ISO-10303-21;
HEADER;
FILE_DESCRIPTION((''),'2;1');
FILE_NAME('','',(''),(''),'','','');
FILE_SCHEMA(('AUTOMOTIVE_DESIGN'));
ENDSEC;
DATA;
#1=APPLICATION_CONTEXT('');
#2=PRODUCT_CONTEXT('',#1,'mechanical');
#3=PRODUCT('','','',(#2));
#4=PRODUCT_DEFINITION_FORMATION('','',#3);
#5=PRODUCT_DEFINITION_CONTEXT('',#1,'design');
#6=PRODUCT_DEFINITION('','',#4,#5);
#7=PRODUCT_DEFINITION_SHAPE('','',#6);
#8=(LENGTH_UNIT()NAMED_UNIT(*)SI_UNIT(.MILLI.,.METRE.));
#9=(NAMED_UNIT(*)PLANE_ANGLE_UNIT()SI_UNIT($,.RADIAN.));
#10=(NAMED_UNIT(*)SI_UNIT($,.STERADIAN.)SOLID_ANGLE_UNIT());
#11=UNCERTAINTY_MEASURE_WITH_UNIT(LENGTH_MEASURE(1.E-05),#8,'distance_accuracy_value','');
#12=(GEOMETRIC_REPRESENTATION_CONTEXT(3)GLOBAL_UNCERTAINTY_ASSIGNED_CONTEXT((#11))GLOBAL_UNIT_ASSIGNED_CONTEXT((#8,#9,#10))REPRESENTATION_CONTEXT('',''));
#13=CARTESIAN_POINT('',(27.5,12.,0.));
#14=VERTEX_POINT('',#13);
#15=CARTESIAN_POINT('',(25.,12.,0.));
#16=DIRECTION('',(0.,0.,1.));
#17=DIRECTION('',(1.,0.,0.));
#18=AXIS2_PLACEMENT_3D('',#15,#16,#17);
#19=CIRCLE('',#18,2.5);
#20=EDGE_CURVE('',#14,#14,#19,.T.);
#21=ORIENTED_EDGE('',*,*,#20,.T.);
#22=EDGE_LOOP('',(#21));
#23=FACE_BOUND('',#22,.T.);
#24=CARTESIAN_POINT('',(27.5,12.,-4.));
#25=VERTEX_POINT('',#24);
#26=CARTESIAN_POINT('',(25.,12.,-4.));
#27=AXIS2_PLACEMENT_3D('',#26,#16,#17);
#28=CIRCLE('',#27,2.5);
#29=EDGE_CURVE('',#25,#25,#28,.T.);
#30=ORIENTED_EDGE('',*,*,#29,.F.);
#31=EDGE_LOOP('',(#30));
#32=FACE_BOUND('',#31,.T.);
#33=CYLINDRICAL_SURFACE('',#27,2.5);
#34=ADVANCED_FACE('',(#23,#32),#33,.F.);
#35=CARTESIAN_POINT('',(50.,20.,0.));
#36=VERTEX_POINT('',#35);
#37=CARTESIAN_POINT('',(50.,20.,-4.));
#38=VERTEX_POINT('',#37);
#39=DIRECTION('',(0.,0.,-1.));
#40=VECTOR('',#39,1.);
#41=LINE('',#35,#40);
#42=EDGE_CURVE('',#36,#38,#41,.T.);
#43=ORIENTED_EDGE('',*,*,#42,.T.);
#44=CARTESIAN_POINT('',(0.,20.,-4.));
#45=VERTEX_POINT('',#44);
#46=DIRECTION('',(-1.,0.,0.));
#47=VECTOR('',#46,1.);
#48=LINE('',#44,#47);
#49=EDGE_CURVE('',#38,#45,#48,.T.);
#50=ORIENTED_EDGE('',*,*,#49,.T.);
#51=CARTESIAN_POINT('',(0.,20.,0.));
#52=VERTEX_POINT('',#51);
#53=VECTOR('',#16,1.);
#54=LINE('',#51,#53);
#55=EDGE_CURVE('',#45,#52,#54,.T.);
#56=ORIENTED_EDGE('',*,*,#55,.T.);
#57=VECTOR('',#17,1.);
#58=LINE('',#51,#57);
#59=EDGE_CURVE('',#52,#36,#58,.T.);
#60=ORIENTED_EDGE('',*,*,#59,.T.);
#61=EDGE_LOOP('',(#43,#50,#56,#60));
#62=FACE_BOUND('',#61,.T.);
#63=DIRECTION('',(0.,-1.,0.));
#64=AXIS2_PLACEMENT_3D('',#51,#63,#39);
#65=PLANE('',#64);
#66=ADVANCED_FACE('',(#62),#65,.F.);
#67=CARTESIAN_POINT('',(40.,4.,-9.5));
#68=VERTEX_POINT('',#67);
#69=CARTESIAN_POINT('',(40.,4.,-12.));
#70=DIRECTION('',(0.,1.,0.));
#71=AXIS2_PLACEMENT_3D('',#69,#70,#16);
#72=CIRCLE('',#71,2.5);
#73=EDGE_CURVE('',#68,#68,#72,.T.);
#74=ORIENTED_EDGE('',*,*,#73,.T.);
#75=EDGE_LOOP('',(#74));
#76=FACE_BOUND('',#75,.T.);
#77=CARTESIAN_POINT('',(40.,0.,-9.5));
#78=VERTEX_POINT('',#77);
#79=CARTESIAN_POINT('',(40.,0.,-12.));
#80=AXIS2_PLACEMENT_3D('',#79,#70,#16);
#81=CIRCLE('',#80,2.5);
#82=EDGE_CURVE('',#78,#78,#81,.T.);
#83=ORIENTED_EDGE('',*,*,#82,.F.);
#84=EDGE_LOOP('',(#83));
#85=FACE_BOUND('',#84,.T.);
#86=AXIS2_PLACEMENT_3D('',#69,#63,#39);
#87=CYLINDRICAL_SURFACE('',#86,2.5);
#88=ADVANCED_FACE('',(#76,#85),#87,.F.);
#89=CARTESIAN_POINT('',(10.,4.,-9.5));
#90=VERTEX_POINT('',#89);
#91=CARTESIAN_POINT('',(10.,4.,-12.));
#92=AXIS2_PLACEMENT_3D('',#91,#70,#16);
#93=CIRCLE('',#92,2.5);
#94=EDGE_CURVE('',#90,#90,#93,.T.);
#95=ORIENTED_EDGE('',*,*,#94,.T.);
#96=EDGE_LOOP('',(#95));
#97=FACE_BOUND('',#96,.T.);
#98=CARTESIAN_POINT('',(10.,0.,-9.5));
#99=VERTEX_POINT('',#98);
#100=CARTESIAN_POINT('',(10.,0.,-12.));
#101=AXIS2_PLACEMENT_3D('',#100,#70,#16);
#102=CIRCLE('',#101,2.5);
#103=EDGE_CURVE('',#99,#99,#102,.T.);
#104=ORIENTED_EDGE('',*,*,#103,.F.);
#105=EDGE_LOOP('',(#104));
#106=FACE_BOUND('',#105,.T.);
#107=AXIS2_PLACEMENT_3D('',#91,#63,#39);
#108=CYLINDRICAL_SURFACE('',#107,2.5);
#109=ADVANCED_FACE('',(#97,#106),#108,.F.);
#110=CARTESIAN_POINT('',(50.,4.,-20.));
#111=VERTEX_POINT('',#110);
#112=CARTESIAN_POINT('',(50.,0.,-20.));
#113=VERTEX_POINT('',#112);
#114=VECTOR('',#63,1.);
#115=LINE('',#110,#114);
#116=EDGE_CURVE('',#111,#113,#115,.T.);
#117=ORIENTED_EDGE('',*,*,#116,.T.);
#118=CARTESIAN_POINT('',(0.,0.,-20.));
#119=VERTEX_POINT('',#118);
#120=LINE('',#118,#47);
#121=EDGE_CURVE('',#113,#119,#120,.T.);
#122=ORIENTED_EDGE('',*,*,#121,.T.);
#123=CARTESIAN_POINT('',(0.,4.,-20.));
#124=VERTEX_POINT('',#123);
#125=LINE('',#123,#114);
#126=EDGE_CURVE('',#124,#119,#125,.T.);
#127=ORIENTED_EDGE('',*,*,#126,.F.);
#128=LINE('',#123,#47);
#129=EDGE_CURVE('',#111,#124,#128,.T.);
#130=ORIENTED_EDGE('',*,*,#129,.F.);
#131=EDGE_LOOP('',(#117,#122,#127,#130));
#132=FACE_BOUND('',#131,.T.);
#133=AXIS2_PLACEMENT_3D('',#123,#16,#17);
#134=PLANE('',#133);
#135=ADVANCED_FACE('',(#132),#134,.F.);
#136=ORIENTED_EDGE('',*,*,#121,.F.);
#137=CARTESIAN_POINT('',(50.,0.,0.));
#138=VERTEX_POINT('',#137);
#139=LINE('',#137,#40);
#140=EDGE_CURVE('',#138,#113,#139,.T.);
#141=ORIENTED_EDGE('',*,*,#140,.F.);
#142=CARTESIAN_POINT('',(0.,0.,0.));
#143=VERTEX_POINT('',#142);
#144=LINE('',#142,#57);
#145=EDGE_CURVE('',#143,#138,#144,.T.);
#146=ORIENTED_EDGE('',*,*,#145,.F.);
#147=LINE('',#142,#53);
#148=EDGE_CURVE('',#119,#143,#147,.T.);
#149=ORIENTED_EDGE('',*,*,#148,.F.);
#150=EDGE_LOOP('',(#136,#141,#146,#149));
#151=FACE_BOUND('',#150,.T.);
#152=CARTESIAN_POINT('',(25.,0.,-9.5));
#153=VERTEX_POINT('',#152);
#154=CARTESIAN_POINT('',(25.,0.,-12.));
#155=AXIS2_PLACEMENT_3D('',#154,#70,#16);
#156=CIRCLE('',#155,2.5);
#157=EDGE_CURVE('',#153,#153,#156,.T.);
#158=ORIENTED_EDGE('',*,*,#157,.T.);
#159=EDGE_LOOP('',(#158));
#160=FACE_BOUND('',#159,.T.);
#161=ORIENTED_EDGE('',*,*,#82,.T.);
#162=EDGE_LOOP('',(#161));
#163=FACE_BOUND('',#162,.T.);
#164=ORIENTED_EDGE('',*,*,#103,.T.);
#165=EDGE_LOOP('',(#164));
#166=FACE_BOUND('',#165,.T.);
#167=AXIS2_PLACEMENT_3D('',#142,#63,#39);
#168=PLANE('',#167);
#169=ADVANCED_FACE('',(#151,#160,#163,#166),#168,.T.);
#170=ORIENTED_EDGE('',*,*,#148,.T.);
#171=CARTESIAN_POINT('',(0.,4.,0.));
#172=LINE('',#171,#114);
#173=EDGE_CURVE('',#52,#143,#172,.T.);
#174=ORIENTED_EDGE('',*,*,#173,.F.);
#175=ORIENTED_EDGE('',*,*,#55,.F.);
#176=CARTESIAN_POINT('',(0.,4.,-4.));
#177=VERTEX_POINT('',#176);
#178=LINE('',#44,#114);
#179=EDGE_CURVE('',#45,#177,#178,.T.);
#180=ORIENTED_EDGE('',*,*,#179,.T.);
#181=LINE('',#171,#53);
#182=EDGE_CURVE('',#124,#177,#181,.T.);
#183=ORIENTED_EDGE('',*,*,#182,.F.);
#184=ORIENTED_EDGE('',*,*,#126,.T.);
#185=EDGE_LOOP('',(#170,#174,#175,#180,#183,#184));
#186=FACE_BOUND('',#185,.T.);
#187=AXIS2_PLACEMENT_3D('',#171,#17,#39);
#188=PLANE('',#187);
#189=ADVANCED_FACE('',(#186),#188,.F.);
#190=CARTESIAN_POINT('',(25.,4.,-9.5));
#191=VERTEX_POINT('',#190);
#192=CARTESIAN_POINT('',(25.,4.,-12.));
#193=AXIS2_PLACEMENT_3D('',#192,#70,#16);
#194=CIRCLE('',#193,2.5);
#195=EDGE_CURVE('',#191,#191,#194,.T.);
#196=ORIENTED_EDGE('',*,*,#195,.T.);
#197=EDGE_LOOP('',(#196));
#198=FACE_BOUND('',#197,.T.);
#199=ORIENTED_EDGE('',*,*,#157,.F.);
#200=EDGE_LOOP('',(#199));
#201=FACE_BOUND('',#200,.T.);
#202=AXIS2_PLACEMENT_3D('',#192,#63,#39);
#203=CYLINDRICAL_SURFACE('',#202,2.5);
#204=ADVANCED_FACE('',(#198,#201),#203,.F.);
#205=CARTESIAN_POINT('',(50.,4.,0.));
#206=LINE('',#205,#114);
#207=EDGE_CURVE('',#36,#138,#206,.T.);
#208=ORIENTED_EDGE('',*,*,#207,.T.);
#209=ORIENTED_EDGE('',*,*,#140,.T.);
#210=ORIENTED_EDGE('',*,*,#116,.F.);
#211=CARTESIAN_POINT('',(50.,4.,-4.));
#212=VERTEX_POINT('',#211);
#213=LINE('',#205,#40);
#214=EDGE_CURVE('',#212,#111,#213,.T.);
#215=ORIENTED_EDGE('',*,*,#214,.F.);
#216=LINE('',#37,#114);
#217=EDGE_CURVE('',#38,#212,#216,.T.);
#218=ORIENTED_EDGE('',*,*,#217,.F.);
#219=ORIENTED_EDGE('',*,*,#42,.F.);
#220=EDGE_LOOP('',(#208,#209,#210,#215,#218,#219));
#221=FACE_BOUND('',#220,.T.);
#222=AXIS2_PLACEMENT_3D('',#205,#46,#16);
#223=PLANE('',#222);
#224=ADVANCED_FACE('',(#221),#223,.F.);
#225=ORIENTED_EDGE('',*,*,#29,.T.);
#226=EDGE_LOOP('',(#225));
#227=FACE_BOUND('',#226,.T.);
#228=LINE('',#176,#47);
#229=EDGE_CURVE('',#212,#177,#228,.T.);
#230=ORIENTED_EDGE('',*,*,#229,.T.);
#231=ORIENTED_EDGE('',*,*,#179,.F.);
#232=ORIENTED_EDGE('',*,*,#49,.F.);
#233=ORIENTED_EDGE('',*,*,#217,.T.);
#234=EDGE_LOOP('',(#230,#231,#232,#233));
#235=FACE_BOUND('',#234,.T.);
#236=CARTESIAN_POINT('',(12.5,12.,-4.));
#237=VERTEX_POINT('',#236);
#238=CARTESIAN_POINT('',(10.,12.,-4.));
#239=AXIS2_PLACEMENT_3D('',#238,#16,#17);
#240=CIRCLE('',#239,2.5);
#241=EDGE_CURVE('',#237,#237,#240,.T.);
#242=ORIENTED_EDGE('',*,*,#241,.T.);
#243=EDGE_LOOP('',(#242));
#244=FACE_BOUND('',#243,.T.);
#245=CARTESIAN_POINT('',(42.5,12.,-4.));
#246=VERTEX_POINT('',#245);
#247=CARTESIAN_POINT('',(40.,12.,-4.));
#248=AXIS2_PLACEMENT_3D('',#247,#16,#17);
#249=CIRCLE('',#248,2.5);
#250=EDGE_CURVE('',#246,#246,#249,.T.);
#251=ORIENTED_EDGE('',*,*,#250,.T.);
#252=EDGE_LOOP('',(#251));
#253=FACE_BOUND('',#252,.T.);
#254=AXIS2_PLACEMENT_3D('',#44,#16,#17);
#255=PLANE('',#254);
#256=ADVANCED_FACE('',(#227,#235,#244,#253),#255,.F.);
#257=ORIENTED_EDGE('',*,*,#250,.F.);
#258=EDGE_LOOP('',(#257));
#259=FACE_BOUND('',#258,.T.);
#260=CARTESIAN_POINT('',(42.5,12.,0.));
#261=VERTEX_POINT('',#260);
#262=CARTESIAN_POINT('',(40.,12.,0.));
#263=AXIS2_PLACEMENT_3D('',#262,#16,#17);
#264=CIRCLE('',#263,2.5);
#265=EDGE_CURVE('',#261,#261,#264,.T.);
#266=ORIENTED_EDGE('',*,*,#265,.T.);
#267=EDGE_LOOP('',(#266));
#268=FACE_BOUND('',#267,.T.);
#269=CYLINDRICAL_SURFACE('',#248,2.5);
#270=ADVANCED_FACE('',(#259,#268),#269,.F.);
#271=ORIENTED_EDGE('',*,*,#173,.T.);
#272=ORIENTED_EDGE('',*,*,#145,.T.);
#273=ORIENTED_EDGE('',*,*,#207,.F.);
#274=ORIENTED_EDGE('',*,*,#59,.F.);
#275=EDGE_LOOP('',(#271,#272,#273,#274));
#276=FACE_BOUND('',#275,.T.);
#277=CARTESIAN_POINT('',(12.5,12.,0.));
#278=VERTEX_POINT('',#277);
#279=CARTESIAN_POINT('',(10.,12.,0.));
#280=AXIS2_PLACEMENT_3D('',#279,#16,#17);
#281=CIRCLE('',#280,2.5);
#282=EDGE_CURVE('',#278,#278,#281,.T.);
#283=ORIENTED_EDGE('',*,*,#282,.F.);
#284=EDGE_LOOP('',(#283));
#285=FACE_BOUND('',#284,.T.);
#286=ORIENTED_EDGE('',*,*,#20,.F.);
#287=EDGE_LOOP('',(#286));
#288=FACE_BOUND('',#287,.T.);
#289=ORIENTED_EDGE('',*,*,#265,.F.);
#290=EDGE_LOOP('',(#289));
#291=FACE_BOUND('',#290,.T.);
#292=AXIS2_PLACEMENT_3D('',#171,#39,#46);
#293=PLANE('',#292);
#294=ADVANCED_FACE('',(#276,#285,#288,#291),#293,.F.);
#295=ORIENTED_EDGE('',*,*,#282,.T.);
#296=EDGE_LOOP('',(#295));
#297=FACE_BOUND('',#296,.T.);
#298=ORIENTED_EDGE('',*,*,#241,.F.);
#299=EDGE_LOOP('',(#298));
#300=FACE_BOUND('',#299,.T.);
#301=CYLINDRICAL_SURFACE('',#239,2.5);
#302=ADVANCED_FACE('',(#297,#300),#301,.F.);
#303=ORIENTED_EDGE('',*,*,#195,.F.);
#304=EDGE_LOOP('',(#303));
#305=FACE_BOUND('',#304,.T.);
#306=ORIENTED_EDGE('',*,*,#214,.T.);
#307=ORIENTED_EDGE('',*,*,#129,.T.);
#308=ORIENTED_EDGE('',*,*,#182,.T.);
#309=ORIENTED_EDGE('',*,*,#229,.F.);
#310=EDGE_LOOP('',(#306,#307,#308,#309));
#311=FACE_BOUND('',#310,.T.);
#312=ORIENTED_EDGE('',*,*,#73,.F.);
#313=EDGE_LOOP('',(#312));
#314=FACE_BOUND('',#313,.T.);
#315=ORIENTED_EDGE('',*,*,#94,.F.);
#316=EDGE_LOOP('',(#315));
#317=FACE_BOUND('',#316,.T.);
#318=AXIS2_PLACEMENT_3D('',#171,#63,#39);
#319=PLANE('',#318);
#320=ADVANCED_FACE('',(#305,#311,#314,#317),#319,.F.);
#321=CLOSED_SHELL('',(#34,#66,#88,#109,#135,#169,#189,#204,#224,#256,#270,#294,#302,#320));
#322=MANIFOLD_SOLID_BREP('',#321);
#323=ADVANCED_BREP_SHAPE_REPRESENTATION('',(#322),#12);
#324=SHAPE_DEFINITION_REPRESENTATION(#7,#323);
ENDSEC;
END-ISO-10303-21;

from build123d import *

# Parameters (mm, degrees)
SKETCH_1_W          = 50
SKETCH_1_H          = 20
SKETCH_1_R          = 2.5
EXTRUDE_1_DEPTH     = 4
SKETCH_2_W          = 50
SKETCH_2_H          = 4
EXTRUDE_2_DEPTH     = 16
SKETCH_3_R          = 2.5
CUT_EXTRUDE_1_DEPTH = 4


with BuildPart() as part:
    # Эскиз1 → Бобышка-Вытянуть1 (new body)
    with BuildSketch(Plane(origin=(0, 0, 0), x_dir=(1, 0, 0), z_dir=(0, 1, 0))):
        with Locations((25, 10)):
            Rectangle(SKETCH_1_W, SKETCH_1_H)
        with Locations(Location((10, 12, 0), (0, 0, 270))):
            Circle(SKETCH_1_R, mode=Mode.SUBTRACT)
        with Locations(Location((40, 12, 0), (0, 0, 270))):
            Circle(SKETCH_1_R, mode=Mode.SUBTRACT)
        with Locations(Location((25, 12, 0), (0, 0, 270))):
            Circle(SKETCH_1_R, mode=Mode.SUBTRACT)
    extrude(amount=EXTRUDE_1_DEPTH)

    # Эскиз2 → Бобышка-Вытянуть2 (add)
    with BuildSketch(Plane(origin=(0, 4, 0), x_dir=(1, 0, 0), z_dir=(0, 1, 0))):
        with Locations((25, 2)):
            Rectangle(SKETCH_2_W, SKETCH_2_H)
    extrude(amount=EXTRUDE_2_DEPTH)

    # Эскиз3 → Вырез-Вытянуть1 (cut)
    with BuildSketch(Plane.XY):
        with Locations((10, 12)):
            Circle(SKETCH_3_R)
        with Locations((40, 12)):
            Circle(SKETCH_3_R)
        with Locations((25, 12)):
            Circle(SKETCH_3_R)
    extrude(amount=-CUT_EXTRUDE_1_DEPTH, mode=Mode.SUBTRACT)


solid = part.part
